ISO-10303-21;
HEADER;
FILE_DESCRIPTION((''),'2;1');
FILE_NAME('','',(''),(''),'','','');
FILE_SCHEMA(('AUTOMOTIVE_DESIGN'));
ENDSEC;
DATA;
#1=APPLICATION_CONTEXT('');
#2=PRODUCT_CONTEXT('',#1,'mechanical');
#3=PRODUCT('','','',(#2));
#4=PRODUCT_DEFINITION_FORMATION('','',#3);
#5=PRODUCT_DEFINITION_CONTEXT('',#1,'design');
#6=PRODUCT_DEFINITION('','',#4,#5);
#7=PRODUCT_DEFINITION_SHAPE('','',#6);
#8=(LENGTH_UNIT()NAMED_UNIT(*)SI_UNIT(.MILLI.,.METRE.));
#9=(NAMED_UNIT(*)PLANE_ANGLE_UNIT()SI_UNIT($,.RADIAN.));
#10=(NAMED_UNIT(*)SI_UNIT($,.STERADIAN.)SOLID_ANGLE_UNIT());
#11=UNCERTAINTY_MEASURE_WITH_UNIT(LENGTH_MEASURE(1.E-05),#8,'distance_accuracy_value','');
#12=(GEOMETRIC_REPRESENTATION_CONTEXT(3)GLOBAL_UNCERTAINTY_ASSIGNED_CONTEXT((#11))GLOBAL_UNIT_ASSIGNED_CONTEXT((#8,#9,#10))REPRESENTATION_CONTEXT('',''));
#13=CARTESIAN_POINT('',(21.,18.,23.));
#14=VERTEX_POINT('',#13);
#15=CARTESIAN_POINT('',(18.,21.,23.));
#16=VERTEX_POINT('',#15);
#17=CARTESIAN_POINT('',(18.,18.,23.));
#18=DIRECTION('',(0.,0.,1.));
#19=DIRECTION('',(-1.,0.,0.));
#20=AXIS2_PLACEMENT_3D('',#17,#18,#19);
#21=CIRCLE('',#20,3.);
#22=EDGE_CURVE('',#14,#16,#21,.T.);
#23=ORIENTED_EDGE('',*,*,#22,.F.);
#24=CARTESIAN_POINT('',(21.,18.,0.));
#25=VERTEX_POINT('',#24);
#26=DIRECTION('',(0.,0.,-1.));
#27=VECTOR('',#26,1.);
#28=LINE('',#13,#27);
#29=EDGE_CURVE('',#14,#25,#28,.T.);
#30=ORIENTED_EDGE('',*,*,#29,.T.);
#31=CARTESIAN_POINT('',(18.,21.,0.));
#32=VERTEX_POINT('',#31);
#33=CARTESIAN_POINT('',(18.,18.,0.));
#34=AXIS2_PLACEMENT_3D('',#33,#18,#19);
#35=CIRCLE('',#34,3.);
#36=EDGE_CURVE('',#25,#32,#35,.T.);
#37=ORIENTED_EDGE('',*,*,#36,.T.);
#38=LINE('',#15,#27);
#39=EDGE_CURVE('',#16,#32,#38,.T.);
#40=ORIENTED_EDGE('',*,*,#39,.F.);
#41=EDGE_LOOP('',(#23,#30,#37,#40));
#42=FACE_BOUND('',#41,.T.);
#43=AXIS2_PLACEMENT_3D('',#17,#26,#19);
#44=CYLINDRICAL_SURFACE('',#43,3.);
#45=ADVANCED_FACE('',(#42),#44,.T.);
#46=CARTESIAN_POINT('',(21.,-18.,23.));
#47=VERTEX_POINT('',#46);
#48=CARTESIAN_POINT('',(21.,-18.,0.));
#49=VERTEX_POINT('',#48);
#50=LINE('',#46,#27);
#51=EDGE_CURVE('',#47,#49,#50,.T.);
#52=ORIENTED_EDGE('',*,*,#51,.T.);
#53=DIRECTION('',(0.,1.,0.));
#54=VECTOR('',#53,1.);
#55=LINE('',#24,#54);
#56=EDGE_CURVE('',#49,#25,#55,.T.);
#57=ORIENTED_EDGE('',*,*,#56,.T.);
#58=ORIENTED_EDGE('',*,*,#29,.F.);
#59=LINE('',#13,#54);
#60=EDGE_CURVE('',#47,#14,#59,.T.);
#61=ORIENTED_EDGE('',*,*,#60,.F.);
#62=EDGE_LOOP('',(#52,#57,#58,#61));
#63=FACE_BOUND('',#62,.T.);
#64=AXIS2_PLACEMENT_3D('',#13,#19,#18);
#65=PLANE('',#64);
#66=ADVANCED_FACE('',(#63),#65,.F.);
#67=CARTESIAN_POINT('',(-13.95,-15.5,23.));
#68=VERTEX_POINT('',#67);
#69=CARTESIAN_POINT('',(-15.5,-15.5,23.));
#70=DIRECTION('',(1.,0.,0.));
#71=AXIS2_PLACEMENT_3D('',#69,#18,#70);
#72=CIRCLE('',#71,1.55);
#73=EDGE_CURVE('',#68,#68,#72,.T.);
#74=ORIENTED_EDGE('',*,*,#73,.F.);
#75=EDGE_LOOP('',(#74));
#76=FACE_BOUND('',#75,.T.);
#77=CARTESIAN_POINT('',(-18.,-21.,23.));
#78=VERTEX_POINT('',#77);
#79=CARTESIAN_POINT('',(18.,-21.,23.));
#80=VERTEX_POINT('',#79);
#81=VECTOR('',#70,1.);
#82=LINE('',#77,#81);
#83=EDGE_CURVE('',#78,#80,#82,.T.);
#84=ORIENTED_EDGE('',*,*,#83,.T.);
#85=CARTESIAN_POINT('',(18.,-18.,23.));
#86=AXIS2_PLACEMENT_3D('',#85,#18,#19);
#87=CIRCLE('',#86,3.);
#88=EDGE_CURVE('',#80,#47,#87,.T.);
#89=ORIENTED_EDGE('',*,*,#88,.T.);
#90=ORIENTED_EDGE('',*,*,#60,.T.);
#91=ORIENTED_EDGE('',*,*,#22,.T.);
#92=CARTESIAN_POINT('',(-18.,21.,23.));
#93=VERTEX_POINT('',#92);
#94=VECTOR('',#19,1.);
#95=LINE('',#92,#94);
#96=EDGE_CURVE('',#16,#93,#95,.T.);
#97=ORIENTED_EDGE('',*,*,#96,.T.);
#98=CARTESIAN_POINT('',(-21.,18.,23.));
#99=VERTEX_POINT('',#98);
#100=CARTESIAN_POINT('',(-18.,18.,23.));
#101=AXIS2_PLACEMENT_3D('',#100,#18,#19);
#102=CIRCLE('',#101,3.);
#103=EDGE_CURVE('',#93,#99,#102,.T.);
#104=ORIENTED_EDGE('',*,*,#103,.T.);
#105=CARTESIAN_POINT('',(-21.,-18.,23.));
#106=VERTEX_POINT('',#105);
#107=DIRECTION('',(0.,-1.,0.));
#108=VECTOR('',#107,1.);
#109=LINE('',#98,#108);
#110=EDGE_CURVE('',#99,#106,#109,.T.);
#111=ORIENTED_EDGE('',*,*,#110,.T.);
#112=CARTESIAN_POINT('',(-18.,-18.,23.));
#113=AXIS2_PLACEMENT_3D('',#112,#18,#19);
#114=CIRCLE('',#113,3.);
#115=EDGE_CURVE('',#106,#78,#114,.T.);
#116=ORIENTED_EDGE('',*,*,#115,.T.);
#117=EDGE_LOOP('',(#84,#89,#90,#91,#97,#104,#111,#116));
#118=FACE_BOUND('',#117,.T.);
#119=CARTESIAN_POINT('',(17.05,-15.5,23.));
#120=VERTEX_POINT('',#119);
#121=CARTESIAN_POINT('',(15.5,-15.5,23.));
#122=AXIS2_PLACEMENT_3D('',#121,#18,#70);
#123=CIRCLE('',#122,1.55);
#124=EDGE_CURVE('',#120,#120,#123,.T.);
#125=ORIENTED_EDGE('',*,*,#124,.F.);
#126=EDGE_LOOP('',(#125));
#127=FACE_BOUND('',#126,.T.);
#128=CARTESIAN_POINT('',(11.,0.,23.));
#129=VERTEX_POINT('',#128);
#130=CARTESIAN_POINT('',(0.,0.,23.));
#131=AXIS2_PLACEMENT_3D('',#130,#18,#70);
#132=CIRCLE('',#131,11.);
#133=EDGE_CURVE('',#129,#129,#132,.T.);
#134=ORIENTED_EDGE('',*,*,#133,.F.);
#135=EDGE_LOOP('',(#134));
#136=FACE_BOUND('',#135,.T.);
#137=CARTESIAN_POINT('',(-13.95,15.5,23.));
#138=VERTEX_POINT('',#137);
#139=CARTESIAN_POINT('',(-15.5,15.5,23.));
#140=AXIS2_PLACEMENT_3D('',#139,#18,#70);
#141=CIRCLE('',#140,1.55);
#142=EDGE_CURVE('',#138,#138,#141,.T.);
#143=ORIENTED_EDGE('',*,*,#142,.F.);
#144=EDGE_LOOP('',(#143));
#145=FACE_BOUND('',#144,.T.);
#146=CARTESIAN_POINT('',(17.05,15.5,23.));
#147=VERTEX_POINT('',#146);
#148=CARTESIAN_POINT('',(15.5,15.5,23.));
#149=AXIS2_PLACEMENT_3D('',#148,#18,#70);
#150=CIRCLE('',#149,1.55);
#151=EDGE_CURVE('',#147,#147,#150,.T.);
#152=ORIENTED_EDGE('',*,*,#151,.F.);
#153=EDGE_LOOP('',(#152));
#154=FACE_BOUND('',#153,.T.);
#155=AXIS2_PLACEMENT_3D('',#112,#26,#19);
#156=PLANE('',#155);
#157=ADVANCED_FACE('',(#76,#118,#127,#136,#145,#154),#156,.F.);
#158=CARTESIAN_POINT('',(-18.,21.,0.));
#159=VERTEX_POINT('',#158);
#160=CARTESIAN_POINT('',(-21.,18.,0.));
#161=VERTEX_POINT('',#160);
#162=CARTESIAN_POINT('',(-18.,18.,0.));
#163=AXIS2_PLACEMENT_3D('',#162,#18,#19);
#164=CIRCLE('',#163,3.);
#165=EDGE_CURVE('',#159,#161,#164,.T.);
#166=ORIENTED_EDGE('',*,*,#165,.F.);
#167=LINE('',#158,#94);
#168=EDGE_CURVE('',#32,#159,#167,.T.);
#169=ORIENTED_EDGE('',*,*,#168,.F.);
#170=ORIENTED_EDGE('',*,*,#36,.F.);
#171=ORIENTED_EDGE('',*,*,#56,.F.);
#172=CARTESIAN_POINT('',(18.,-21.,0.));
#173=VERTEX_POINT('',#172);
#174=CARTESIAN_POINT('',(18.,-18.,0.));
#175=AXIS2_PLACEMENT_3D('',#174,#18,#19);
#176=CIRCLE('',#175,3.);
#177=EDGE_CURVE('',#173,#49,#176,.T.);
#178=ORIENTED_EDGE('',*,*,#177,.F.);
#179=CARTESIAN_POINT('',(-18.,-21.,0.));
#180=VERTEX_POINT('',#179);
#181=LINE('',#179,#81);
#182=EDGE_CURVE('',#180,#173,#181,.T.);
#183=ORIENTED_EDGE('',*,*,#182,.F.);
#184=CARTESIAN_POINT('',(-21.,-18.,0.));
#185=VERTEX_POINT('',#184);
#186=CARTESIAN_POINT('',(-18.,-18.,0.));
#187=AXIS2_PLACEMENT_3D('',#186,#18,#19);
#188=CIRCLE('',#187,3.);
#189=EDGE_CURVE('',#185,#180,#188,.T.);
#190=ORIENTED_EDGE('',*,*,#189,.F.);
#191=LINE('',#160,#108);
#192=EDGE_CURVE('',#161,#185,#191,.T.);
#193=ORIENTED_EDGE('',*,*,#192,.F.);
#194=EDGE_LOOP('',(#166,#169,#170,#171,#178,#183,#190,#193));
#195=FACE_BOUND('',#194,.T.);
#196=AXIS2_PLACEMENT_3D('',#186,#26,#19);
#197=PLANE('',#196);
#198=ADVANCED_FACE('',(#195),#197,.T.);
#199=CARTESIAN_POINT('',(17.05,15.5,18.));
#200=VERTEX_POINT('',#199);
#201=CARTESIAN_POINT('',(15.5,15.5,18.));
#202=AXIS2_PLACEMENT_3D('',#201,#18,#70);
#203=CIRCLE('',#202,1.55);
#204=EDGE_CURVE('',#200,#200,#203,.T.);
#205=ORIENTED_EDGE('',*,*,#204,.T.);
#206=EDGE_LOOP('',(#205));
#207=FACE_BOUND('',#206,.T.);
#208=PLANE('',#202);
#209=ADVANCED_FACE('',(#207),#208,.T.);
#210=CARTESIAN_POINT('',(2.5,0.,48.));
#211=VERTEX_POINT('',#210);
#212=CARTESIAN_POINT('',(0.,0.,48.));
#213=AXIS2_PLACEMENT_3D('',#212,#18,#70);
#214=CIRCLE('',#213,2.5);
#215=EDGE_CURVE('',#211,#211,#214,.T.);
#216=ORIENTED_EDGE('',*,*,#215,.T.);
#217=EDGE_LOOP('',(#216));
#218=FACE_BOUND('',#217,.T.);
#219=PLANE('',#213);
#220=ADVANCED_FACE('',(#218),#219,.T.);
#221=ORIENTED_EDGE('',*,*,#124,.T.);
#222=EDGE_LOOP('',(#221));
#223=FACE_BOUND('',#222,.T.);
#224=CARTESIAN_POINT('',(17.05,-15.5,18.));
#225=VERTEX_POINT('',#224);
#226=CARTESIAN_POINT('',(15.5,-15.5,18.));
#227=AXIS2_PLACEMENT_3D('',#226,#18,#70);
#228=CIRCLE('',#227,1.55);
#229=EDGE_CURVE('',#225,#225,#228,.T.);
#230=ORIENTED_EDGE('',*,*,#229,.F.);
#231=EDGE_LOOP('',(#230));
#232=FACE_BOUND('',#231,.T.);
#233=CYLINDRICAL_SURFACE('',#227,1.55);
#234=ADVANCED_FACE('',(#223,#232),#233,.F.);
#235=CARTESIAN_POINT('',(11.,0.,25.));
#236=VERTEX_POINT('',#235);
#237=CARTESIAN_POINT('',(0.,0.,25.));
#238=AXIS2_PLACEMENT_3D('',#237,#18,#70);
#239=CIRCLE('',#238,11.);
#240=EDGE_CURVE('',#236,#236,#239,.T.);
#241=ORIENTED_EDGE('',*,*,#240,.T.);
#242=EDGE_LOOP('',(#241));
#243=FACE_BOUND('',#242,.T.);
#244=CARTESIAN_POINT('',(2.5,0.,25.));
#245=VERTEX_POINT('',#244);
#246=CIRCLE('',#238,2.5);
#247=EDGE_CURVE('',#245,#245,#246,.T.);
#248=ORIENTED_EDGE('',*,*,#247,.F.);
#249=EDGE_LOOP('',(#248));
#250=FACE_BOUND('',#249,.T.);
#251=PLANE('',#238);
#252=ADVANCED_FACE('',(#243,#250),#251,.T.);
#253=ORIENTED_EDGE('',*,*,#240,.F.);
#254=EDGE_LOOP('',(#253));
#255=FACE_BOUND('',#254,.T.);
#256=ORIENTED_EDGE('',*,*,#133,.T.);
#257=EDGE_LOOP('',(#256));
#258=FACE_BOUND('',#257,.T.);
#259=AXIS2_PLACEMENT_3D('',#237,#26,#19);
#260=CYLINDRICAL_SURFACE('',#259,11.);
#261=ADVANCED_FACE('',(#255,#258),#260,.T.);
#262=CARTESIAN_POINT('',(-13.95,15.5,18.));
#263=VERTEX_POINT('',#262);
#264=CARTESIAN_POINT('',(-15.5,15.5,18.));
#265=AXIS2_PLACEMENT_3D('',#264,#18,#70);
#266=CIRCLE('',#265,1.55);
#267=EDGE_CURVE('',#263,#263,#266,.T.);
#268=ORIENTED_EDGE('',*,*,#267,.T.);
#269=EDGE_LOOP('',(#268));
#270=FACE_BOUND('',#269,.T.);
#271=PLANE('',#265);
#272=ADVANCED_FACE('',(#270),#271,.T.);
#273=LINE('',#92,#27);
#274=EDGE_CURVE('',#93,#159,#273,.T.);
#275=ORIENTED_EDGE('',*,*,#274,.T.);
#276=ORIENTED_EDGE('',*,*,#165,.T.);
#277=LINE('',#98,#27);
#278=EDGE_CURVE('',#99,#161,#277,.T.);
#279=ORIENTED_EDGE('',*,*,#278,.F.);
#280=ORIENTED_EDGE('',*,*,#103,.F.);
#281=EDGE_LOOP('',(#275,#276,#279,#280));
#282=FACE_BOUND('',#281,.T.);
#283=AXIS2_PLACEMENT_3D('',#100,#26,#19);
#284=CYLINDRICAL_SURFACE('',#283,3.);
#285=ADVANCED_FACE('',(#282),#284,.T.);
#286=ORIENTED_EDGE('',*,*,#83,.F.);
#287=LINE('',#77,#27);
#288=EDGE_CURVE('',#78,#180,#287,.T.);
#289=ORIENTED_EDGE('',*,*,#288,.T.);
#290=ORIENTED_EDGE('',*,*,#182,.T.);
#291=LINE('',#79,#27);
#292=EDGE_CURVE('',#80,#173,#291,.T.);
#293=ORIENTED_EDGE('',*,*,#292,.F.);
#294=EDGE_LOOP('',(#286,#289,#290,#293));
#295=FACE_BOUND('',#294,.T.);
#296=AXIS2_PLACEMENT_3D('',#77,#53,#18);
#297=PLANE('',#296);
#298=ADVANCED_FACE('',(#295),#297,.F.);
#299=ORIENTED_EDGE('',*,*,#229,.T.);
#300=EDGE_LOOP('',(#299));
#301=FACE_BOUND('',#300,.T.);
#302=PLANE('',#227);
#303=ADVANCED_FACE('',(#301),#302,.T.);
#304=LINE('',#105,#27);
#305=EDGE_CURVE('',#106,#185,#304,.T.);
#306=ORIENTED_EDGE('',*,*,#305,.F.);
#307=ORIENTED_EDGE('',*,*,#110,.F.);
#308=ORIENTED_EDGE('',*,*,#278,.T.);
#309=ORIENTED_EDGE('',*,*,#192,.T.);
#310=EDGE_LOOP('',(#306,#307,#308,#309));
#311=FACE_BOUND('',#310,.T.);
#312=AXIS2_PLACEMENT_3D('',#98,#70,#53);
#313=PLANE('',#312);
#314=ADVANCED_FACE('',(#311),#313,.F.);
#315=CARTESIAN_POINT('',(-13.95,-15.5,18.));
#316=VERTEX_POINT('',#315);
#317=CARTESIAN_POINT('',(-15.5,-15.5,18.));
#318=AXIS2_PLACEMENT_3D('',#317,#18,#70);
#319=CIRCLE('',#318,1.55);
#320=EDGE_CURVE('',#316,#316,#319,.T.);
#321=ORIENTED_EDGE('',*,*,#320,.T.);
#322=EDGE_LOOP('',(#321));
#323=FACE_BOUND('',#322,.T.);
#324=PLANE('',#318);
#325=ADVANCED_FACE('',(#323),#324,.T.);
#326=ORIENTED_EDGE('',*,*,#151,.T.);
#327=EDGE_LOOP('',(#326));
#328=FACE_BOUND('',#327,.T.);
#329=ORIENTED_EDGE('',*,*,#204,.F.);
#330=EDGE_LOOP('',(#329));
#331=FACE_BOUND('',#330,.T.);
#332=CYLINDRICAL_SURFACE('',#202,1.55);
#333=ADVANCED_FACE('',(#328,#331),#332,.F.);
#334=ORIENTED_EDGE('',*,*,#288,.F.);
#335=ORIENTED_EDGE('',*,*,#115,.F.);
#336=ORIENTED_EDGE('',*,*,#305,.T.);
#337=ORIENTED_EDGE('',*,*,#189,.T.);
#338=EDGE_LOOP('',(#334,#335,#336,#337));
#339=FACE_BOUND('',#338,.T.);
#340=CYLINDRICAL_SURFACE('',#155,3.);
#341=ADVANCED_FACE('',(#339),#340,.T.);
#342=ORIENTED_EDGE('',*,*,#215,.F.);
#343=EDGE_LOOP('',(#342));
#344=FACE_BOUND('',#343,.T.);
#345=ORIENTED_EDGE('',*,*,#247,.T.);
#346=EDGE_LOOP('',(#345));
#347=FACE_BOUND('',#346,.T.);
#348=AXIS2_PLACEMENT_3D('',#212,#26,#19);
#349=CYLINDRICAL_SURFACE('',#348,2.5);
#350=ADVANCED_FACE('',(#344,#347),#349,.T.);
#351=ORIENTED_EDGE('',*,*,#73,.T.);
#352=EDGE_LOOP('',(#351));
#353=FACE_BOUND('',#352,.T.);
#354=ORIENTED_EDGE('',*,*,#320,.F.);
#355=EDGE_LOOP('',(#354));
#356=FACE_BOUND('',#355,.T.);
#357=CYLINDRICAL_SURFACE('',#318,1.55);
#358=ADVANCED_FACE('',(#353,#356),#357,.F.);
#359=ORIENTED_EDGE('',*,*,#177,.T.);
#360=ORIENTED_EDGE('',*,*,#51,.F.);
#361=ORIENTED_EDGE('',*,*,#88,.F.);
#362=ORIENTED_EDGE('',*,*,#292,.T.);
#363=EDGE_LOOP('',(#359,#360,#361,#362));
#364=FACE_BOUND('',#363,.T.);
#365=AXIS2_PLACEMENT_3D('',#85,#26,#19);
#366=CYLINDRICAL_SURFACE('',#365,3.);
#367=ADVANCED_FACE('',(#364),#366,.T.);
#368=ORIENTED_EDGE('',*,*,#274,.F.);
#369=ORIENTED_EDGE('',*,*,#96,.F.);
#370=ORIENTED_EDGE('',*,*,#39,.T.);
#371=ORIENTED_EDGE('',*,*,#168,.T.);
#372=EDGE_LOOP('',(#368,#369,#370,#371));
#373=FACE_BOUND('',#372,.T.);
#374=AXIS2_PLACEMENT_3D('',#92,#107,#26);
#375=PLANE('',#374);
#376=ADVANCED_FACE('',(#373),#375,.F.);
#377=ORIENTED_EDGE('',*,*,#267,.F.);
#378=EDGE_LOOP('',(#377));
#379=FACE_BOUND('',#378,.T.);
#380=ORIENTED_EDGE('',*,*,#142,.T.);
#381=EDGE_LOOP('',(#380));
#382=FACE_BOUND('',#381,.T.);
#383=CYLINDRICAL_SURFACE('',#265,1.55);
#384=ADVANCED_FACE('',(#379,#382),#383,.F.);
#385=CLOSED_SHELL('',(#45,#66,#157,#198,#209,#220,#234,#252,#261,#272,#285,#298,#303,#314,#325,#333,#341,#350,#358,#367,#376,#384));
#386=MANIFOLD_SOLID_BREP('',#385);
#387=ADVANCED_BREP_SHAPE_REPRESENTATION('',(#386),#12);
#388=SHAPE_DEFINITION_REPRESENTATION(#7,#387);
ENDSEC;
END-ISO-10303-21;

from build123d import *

# Parameters (mm, degrees)
EXTRUDE_1_DEPTH     = 23
SKETCH_2_R          = 11
EXTRUDE_2_DEPTH     = 2
SKETCH_3_R          = 2.5
EXTRUDE_3_DEPTH     = 23
SKETCH_4_R          = 1.55
CUT_EXTRUDE_1_DEPTH = 5


with BuildPart() as part:
    # 草图1 → 凸台-拉伸1 (new body)
    with BuildSketch(Plane.XY):
        with BuildLine():
            Line((-18, 21), (18, 21))
            ThreePointArc((18, 21), (20.121320344, 20.121320344), (21, 18))
            Line((21, 18), (21, -18))
            ThreePointArc((21, -18), (20.121320344, -20.121320344), (18, -21))
            Line((18, -21), (-18, -21))
            ThreePointArc((-18, -21), (-20.121320344, -20.121320344), (-21, -18))
            Line((-21, -18), (-21, 18))
            ThreePointArc((-21, 18), (-20.121320344, 20.121320344), (-18, 21))
        make_face()
    extrude(amount=EXTRUDE_1_DEPTH)

    # 草图2 → 凸台-拉伸2 (add)
    with BuildSketch(Plane.XY.offset(23)):
        Circle(SKETCH_2_R)
    extrude(amount=EXTRUDE_2_DEPTH)

    # 草图3 → 凸台-拉伸3 (add)
    with BuildSketch(Plane.XY.offset(25)):
        Circle(SKETCH_3_R)
    extrude(amount=EXTRUDE_3_DEPTH)

    # 草图4 → 切除-拉伸1 (cut)
    with BuildSketch(Plane.XY.offset(23)):
        with Locations((-15.5, 15.5)):
            Circle(SKETCH_4_R)
        with Locations((15.5, 15.5)):
            Circle(SKETCH_4_R)
        with Locations((15.5, -15.5)):
            Circle(SKETCH_4_R)
        with Locations((-15.5, -15.5)):
            Circle(SKETCH_4_R)
    extrude(amount=-CUT_EXTRUDE_1_DEPTH, mode=Mode.SUBTRACT)


solid = part.part
